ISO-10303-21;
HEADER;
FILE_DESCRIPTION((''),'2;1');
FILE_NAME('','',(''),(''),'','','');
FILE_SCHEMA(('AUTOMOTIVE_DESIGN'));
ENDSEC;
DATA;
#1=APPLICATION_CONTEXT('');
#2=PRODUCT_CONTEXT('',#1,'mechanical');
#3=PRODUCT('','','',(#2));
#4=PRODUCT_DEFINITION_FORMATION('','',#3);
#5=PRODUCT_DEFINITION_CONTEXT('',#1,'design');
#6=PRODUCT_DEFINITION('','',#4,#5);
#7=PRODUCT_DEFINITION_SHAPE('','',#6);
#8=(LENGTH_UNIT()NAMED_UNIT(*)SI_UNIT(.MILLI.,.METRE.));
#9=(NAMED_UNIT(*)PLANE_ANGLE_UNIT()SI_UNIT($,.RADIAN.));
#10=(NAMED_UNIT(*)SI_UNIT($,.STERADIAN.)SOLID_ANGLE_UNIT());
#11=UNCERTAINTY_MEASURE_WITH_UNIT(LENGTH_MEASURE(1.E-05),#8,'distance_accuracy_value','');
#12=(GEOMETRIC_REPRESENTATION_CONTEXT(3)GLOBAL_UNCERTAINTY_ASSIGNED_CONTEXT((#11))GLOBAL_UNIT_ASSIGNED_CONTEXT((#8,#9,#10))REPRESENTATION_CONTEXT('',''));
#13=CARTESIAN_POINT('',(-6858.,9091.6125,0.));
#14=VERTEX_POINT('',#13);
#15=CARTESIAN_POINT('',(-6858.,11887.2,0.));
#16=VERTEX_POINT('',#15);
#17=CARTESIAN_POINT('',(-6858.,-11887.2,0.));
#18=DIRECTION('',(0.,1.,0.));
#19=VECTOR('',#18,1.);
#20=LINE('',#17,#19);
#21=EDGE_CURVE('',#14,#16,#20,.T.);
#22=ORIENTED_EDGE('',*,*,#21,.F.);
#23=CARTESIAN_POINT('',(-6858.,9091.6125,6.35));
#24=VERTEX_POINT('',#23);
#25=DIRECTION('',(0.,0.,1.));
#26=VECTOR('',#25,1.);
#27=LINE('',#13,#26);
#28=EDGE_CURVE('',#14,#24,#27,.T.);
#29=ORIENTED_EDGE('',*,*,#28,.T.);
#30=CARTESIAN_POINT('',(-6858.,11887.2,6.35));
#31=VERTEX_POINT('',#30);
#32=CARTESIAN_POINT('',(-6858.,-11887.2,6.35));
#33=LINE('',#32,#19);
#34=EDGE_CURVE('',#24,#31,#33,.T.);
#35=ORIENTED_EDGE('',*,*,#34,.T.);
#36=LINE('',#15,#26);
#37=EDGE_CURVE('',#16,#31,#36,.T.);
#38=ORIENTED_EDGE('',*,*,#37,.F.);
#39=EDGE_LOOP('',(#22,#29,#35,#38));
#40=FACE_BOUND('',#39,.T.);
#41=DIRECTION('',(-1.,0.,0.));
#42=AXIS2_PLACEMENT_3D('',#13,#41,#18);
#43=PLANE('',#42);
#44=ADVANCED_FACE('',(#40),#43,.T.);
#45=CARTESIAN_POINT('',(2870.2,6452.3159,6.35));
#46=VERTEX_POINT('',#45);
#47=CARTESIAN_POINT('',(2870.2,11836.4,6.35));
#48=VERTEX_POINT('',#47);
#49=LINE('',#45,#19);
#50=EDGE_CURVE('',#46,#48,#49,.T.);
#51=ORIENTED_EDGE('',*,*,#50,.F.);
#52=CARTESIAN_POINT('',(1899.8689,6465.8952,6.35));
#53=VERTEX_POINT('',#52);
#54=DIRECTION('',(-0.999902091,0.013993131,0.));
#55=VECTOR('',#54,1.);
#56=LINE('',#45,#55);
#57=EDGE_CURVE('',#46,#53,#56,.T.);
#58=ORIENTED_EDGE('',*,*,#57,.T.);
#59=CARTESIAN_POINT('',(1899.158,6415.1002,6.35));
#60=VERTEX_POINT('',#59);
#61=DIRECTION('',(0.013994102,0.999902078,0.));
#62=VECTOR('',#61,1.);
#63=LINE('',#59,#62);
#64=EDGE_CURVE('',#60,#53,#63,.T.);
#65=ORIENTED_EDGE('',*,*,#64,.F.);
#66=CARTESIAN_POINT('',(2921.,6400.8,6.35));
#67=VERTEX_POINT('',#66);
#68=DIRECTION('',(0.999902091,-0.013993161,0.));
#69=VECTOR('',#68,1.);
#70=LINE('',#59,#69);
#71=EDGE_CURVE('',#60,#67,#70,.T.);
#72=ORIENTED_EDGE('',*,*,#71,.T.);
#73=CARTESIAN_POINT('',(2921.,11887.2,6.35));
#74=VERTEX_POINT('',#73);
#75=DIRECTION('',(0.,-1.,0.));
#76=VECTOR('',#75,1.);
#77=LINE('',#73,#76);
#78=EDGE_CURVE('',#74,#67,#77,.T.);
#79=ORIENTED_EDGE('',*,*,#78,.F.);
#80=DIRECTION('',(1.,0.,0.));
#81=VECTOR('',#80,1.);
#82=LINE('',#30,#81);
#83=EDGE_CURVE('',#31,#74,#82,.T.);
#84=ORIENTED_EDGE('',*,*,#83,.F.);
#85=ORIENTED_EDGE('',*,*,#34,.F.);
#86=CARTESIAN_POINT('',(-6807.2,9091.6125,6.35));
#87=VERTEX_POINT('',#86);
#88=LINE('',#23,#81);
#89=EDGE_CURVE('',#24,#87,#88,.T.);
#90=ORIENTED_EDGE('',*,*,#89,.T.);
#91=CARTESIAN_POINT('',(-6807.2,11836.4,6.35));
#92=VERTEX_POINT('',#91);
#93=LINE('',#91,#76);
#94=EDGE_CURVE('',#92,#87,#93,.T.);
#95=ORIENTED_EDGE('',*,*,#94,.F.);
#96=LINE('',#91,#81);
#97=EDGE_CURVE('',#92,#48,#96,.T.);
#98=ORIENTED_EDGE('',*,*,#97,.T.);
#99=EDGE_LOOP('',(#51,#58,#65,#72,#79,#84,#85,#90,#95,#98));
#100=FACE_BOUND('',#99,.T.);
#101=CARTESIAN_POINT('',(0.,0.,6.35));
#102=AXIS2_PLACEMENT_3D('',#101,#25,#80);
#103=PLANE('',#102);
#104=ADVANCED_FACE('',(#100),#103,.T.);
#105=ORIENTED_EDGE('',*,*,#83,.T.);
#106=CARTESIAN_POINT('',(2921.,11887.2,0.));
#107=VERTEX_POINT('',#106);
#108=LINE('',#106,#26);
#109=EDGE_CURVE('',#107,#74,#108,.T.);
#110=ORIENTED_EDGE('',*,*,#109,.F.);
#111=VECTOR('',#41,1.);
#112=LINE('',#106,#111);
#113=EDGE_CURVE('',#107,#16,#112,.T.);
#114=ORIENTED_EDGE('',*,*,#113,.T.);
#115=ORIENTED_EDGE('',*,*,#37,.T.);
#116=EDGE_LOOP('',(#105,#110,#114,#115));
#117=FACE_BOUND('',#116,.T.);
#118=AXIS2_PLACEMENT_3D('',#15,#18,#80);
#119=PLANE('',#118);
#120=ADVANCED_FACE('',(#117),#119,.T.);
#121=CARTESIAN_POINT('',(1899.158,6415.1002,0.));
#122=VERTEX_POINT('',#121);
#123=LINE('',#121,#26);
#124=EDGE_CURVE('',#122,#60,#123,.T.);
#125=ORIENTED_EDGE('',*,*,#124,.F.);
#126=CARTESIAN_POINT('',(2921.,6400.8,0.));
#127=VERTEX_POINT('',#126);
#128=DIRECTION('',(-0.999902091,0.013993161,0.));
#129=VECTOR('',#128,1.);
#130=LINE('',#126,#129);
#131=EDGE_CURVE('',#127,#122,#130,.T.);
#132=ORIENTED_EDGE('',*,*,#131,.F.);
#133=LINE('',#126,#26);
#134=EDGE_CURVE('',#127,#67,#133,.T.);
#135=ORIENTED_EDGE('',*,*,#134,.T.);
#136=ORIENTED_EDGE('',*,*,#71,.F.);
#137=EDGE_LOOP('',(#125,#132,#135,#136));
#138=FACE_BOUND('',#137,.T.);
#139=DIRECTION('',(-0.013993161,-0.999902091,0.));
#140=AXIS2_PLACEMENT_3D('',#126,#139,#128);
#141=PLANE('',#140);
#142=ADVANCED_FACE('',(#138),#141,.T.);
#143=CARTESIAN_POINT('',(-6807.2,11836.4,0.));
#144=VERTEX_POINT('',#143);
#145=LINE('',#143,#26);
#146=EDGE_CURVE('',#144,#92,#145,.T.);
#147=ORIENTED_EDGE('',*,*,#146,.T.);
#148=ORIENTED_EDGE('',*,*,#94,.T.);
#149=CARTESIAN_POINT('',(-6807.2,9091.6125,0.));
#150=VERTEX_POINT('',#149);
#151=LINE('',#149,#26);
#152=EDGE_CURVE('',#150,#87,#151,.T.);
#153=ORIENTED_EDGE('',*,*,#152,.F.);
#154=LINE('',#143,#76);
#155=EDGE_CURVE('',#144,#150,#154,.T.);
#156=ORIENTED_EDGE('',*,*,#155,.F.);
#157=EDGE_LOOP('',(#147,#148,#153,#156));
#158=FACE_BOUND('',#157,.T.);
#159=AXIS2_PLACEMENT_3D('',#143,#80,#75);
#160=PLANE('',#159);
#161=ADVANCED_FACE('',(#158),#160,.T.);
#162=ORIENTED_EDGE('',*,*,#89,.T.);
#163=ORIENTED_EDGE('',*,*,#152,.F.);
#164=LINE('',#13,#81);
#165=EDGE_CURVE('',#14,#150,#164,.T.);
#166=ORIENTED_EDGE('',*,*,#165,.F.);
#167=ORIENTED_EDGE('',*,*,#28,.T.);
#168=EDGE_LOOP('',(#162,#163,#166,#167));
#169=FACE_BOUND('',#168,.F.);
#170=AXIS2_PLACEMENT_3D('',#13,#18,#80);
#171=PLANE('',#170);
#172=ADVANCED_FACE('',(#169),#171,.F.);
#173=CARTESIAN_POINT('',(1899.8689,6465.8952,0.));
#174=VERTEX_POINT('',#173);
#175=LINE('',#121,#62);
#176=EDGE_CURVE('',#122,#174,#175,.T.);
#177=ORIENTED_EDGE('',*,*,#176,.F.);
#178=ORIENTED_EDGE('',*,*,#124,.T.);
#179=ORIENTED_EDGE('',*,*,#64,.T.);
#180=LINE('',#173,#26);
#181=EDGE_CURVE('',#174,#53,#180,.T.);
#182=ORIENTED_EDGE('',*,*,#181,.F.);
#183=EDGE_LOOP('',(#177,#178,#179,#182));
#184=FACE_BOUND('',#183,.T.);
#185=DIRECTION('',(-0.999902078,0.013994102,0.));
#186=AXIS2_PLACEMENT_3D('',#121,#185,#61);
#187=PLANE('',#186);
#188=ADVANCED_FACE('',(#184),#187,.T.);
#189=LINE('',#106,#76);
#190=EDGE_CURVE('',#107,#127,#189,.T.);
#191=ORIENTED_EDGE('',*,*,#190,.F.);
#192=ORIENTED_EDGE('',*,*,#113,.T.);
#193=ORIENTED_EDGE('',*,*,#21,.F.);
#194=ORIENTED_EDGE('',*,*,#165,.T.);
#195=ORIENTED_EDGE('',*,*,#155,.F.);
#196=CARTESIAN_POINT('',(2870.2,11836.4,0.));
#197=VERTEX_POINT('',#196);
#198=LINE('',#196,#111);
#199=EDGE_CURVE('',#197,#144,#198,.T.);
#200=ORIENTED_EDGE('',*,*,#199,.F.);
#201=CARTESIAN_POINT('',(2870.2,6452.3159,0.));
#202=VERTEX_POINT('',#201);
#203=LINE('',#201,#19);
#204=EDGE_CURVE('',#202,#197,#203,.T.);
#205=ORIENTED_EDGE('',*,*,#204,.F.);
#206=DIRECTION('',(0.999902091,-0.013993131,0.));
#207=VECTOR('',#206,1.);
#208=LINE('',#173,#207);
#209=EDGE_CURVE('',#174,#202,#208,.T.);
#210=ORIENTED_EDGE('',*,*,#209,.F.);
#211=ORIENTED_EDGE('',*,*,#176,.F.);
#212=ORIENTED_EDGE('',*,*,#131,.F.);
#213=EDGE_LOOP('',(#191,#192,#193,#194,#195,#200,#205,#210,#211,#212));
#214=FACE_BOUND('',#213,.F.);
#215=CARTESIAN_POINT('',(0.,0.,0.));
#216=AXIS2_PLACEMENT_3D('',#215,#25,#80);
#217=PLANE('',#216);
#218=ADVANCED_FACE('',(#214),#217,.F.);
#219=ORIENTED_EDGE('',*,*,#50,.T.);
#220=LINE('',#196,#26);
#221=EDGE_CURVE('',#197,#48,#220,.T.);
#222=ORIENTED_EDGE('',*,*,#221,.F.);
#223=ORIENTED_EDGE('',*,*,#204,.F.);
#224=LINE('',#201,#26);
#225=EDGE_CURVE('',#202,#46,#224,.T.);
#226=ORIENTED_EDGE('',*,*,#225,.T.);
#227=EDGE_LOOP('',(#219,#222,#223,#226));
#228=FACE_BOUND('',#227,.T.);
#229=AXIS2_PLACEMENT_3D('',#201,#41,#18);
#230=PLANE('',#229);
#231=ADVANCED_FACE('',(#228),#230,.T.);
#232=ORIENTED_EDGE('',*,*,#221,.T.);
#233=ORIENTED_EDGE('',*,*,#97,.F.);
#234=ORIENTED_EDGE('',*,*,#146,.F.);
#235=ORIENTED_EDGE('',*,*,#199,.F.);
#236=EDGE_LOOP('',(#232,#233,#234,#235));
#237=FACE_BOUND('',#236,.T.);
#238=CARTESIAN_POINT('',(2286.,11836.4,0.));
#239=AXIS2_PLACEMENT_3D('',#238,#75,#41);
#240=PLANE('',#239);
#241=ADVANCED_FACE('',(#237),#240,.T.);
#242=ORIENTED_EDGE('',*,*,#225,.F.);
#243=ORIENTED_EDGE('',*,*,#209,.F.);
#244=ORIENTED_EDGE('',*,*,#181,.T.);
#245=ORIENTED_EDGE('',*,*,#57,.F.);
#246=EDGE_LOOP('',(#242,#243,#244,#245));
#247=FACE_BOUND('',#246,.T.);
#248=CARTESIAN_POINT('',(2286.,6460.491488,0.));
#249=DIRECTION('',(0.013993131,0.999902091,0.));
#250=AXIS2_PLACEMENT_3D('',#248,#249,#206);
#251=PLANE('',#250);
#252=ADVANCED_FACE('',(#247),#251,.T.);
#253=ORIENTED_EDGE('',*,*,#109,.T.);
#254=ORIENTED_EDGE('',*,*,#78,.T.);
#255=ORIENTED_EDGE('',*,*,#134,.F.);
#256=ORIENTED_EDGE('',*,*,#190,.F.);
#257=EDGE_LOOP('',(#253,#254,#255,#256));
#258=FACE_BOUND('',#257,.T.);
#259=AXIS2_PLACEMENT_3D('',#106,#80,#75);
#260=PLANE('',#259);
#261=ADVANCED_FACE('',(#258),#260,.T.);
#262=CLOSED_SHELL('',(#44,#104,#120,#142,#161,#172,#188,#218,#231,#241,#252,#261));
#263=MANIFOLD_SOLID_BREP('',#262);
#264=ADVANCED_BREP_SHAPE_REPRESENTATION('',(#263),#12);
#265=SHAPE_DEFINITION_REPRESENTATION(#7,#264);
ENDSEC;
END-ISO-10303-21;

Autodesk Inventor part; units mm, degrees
ref_plane "YZ Plane" through (0, 0, 0) normal (1, 0, 0) x (0, 1, 0)
ref_plane "XZ Plane" through (0, 0, 0) normal (0, 1, 0) x (-1, 0, 0)
ref_plane "Work Plane1" through (0, 0, 0) normal (0, 0, 1) x (1, 0, 0)
sketch "Sketch1" plane through (0, 0, 0) normal (0, 0, 1) x (1, 0, 0)
  line L0 (-6858, 11887.2) -> (-2286, 11887.2) projected
  line L1 (-6858, -11887.2) -> (-6858, 11887.2) projected
  line L2 (2286, 11887.2) -> (2286, -11887.2) projected
  line L3 (-2286, 11887.2) -> (2286, 11887.2) projected
  line L4 (-6858, 11887.2) -> (2921, 11887.2)
  line L5 (2921, 11887.2) -> (2921, 6400.8)
  line L6 (-6858, 9091.6125) -> (2286, 9091.6125) projected
  line L7 (-6858, 11887.2) -> (-6858, 9091.6125)
  line L8 (1899.158, 4586.3002) -> (1899.158, 6415.1002) projected
  line L9 (2921, 6400.8) -> (1899.158, 6415.1002)
  line L10 (1899.8689, 6465.8952) -> (2870.2, 6452.3159)
  line L11 (2870.2, 6452.3159) -> (2870.2, 11836.4)
  line L12 (2870.2, 11836.4) -> (-6807.2, 11836.4)
  line L13 (-6807.2, 11836.4) -> (-6807.2, 9091.6125)
  line L14 (1899.158, 6415.1002) -> (1899.8689, 6465.8952)
  line L15 (-6858, 9091.6125) -> (-6807.2, 9091.6125)
  line L16 (1899.158, 6415.1002) -> (1899.8689, 6465.8952)
  point P0 (0, 0)
  dimension "d0" = 9779
  dimension "d1" = 5486.4
  dimension "d2" = 50.8
extrude "Extrusion1" add sketch "Sketch1" along normal blind 6.35 contours L0 L3 L2 L12 L13 L6 L1 | L4 L5 L9 L2 L10 L11 L12 | L2 L9 L14 L10
properties part number "Trim-Red_03"
